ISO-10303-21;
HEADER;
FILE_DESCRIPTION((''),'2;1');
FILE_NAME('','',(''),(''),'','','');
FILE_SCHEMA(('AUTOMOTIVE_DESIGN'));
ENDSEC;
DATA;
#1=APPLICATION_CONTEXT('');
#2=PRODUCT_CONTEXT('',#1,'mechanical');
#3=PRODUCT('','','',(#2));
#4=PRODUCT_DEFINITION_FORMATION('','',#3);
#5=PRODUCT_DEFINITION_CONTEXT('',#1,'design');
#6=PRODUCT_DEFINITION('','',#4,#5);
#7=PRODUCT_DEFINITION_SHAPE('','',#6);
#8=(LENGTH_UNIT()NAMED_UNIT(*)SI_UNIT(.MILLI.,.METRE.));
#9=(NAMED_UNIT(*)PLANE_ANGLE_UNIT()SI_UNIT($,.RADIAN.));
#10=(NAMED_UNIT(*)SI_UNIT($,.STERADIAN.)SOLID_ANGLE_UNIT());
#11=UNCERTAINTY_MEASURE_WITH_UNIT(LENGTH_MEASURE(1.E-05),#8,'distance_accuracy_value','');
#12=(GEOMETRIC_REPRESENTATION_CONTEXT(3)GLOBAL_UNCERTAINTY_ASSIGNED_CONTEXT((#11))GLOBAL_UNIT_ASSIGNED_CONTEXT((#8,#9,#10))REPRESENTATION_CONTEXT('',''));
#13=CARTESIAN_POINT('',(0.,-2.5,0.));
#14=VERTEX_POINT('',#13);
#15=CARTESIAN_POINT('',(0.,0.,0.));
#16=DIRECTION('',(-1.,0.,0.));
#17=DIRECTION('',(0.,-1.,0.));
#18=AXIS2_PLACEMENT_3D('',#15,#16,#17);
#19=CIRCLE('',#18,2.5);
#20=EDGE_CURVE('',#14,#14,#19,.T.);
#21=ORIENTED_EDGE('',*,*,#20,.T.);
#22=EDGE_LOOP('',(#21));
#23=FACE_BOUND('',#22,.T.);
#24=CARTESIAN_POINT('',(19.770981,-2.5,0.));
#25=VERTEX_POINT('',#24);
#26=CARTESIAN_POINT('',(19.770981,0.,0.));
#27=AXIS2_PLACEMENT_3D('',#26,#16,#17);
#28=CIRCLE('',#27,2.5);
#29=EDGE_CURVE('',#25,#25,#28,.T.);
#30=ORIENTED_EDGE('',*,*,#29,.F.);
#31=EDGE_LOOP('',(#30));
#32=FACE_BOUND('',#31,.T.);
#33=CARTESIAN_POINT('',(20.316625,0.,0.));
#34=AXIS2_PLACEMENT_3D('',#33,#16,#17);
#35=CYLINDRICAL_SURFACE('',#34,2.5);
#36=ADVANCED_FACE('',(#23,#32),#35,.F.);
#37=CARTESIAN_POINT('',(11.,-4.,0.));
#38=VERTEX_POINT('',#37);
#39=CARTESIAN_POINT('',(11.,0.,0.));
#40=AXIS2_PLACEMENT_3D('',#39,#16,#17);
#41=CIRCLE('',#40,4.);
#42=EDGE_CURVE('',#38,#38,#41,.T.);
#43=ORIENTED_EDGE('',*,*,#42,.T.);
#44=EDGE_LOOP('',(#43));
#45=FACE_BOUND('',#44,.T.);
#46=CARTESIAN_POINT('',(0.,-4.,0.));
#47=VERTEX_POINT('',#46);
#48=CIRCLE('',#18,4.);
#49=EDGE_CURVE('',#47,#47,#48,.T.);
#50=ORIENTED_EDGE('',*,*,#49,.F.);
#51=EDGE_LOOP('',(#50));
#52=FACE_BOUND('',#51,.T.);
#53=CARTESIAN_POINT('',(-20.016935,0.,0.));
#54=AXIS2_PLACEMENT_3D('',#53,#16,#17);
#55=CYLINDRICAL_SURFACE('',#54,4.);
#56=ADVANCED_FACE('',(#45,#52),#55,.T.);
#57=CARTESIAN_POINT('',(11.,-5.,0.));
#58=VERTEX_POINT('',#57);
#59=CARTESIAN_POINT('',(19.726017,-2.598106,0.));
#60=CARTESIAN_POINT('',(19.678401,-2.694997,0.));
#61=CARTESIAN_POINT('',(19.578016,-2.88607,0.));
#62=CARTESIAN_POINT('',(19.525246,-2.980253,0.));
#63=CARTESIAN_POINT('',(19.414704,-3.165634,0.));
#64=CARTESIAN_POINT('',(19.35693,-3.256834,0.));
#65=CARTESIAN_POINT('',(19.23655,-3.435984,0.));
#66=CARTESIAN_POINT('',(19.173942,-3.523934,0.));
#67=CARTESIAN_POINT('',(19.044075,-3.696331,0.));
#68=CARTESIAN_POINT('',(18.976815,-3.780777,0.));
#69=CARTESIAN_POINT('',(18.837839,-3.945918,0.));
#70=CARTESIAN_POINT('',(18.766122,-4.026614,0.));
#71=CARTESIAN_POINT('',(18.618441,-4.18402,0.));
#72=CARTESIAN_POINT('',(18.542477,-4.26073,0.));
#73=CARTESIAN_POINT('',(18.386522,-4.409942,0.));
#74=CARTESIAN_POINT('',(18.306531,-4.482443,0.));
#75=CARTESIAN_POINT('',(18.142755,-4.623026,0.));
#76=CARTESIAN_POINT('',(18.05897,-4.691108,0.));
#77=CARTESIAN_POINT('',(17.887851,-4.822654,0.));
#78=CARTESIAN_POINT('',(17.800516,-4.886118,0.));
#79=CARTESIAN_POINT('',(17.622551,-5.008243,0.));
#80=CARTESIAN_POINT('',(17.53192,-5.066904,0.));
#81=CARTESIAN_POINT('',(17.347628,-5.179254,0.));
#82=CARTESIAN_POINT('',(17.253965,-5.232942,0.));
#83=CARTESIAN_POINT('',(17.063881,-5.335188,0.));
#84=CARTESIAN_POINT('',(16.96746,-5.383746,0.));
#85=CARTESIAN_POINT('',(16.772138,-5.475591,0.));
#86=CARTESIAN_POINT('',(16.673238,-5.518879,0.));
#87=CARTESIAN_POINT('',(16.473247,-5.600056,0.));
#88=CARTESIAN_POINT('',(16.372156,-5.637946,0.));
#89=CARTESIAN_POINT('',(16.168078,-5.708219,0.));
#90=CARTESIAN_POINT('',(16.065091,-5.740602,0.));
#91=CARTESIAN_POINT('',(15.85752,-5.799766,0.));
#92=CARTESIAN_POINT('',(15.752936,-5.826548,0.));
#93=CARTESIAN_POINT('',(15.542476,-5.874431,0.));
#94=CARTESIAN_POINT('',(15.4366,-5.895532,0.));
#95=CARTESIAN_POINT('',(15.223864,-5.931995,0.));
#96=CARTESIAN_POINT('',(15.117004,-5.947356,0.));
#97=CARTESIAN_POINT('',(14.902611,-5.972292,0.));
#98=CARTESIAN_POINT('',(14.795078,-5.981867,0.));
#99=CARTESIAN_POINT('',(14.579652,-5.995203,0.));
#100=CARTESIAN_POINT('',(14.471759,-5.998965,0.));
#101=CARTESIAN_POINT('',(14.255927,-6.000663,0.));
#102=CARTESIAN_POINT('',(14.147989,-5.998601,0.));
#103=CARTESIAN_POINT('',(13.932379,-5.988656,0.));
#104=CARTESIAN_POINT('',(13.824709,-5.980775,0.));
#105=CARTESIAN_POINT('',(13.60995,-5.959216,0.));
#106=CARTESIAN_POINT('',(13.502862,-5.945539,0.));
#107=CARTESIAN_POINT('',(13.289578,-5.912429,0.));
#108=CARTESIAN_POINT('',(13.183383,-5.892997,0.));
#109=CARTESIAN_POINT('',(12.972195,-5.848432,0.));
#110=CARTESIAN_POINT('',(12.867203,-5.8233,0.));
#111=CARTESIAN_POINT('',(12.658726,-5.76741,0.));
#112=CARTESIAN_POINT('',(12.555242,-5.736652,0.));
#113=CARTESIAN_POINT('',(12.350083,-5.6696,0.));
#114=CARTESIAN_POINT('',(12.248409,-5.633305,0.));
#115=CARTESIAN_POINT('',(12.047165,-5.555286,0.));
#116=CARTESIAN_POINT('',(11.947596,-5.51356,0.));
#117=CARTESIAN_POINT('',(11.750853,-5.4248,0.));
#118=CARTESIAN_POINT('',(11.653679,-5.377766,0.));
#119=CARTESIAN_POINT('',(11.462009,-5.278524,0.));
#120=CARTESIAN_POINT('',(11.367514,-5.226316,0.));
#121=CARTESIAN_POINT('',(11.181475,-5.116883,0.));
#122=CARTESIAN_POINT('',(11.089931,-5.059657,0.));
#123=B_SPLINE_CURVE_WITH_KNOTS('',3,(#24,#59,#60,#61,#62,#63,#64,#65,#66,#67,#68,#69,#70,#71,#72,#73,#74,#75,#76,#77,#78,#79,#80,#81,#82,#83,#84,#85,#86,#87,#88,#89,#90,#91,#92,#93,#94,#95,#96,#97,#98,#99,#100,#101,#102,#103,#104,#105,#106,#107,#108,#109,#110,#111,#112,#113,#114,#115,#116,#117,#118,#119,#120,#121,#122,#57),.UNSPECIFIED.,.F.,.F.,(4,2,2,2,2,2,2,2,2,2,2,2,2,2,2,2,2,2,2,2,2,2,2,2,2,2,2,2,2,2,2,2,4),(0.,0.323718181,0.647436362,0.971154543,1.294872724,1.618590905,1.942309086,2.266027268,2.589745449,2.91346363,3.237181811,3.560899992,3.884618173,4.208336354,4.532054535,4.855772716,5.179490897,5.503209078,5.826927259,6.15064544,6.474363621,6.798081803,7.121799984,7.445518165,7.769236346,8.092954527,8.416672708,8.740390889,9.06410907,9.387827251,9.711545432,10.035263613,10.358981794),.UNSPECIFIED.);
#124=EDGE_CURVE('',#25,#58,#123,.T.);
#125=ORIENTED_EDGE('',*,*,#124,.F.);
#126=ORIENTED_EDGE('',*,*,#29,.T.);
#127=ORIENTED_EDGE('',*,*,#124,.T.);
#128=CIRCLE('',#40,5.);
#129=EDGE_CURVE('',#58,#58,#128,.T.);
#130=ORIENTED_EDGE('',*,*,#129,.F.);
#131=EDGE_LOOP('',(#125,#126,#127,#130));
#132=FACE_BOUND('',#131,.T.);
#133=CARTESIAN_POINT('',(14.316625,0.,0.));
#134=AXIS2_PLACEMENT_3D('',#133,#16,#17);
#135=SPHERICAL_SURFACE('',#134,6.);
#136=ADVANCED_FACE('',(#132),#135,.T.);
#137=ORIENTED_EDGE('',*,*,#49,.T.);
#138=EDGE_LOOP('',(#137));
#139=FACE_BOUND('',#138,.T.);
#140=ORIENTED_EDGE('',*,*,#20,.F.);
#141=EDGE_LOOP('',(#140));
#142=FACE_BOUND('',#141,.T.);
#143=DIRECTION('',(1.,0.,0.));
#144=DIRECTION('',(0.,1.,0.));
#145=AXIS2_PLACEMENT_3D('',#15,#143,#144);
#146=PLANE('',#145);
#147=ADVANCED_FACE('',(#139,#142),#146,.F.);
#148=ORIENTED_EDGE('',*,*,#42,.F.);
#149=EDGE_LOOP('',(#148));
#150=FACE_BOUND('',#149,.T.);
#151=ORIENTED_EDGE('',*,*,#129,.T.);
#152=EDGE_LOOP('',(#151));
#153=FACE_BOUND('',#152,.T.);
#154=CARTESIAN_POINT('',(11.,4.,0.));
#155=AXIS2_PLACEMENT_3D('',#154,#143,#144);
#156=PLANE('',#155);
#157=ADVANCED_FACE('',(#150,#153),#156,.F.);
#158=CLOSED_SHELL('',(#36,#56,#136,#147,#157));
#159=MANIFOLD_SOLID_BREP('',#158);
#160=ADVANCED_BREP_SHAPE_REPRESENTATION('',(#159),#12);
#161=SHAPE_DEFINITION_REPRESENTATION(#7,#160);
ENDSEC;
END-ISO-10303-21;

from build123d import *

# Parameters (mm, degrees)
SKETCH2_R          = 2.5
CUT_EXTRUDE1_DEPTH = 23.017385014


with BuildPart() as part:
    # Sketch1 → Revolve1 (revolve)
    with BuildSketch(Plane.XY, mode=Mode.PRIVATE) as revolve1_sk:
        with BuildLine():
            Line((0, 0), (0, 4))
            Line((0, 4), (11, 4))
            Line((11, 4), (11, 5))
            ThreePointArc((11, 5), (17.153899121, 5.286764074), (20.31662479, 0))
            Line((20.31662479, 0), (0, 0))
        make_face()
    revolve(revolve1_sk.sketch.rotate(Axis((-20.016934907, 0, 0), (1, 0, 0)), 180), axis=Axis((-20.016934907, 0, 0), (1, 0, 0)))

    # Sketch2 → Cut-Extrude1 (cut, through all)
    with BuildSketch(Plane.ZY):
        with Locations(Location((0, 0, 0), (0, 0, 270))):
            Circle(SKETCH2_R)
    extrude(amount=-CUT_EXTRUDE1_DEPTH, mode=Mode.SUBTRACT)


solid = part.part
